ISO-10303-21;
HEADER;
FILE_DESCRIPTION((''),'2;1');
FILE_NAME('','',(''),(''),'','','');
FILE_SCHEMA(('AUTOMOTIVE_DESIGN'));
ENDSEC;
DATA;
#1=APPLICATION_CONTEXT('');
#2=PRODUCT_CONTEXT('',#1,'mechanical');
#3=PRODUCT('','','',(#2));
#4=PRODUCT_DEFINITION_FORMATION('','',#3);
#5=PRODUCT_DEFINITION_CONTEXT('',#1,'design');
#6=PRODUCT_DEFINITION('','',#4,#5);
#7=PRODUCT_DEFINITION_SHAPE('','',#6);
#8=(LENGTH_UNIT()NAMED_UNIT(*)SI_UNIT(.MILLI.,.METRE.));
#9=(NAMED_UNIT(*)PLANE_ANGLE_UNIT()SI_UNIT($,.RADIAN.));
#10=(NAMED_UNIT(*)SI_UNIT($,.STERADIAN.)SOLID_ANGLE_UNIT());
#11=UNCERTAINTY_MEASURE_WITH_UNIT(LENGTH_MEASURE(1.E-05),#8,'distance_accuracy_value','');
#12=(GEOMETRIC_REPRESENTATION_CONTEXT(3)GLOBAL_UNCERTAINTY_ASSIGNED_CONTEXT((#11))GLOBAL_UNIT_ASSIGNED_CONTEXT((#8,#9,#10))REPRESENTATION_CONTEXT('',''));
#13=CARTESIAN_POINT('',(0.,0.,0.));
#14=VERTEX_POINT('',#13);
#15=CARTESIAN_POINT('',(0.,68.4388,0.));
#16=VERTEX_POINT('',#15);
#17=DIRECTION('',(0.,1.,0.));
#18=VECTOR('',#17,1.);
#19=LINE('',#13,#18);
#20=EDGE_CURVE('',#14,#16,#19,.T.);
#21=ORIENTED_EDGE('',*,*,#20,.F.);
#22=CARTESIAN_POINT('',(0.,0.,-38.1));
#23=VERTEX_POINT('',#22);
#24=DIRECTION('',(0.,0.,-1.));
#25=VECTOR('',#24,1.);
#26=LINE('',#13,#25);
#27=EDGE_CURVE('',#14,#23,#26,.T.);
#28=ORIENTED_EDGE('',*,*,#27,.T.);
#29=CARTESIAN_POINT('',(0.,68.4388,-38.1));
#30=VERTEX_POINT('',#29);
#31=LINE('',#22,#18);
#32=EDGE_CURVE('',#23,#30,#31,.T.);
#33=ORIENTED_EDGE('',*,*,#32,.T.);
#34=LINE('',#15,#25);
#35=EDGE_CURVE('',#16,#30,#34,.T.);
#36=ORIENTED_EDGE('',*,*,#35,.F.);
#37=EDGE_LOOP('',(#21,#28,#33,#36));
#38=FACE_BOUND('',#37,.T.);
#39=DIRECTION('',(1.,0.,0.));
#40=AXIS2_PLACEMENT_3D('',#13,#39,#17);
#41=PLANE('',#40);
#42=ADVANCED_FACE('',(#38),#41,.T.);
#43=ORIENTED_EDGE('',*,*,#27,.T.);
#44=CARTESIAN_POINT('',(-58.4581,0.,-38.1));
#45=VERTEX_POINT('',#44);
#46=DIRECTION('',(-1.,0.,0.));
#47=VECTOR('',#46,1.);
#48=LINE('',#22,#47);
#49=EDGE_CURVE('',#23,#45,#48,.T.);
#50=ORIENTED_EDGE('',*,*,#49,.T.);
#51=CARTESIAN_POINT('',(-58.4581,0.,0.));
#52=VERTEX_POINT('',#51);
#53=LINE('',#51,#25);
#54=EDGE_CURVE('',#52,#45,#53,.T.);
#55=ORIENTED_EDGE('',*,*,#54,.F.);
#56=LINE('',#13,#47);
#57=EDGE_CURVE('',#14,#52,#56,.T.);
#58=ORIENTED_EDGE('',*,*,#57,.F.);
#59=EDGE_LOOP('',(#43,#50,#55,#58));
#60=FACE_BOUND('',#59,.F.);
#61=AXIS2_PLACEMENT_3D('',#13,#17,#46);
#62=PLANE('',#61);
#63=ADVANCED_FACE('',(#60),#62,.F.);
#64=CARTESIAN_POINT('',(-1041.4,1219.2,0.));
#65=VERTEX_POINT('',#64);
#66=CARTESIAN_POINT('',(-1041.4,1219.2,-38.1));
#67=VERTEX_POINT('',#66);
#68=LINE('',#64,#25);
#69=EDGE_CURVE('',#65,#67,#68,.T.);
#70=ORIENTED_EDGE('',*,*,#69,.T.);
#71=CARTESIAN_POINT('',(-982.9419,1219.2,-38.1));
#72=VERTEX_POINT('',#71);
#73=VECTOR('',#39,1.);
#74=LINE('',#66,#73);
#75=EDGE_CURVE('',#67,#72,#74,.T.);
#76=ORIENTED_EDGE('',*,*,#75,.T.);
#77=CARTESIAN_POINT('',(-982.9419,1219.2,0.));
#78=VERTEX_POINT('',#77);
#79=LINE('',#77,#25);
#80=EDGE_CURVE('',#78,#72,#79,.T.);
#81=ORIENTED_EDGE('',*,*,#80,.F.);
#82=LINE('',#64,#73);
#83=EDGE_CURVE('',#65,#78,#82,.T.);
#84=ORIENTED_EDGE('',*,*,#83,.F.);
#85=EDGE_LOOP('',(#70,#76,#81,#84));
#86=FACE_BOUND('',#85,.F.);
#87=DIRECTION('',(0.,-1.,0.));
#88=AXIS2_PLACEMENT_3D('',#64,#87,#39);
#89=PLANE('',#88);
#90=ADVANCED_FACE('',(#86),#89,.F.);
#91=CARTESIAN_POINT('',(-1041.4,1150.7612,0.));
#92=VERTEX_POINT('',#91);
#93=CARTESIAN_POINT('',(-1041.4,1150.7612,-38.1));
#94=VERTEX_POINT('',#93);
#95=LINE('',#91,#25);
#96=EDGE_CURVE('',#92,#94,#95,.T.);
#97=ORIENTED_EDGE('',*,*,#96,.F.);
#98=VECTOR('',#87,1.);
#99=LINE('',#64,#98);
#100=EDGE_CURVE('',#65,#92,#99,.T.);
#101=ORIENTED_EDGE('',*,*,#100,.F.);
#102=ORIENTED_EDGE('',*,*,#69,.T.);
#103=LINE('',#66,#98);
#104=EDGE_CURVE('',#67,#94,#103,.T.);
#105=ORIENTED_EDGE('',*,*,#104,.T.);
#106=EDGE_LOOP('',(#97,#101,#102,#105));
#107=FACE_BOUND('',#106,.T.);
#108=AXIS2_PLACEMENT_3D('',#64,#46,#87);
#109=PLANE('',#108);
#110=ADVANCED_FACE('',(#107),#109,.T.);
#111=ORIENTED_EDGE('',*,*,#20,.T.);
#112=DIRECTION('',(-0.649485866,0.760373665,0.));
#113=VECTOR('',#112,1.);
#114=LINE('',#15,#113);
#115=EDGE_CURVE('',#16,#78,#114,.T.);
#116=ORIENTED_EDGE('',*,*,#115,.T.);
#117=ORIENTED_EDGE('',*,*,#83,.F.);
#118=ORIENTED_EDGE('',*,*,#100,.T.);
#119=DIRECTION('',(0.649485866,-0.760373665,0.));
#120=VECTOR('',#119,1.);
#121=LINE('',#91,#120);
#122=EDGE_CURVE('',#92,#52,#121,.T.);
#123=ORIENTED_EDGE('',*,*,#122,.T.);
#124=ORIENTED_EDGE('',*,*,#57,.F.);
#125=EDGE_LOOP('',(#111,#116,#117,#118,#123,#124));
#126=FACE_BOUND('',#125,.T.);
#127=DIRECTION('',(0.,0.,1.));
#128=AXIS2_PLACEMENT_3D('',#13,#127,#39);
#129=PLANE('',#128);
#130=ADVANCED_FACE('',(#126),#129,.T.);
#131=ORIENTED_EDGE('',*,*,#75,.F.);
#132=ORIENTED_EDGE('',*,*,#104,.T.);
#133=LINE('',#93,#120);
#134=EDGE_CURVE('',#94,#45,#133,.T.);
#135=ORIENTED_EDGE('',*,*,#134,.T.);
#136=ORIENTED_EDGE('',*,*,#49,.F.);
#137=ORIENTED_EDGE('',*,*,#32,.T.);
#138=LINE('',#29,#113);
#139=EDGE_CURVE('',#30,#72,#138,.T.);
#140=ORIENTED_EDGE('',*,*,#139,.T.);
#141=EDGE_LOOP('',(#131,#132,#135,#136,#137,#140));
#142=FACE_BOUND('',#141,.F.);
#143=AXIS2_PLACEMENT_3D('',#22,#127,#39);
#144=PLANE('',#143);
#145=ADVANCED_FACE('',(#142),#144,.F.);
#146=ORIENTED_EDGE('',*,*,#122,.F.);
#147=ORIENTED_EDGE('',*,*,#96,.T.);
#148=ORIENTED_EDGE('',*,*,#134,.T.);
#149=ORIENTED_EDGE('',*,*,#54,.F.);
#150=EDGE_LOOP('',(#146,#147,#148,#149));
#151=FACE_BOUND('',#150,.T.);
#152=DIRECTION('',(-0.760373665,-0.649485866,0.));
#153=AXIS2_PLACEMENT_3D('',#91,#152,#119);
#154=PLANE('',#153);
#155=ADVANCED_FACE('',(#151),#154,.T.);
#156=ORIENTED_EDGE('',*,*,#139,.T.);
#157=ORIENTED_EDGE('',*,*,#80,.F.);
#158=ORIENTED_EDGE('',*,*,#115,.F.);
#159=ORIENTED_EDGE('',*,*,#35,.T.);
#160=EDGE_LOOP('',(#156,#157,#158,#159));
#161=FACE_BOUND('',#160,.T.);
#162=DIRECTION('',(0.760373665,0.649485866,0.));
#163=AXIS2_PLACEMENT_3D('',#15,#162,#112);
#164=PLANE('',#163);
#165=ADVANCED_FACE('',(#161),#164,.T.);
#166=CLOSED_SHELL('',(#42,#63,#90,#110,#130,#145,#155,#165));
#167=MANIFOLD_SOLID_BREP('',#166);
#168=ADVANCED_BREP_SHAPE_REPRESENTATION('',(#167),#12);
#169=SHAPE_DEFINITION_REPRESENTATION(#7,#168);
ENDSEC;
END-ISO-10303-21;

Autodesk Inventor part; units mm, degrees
ref_plane "YZ Plane" through (0, 0, 0) normal (1, 0, 0) x (0, 1, 0)
ref_plane "XZ Plane" through (0, 0, 0) normal (0, 1, 0) x (-1, 0, 0)
ref_plane "XY Plane" through (0, 0, 0) normal (0, 0, 1) x (1, 0, 0)
sketch "Sketch1" plane through (0, 0, 0) normal (0, 0, 1) x (1, 0, 0)
  line L0 (-1041.4, 1219.2) -> (-1041.4, 0) projected
  line L1 (-1041.4, 1219.2) -> (0, 1219.2) projected
  line L2 (0, 0) -> (0, 1219.2) projected
  line L3 (0, 0) -> (-1041.4, 0) projected
  line L4 (0, 0) -> (0, 68.4388)
  line L5 (0, 68.4388) -> (-982.9419, 1219.2)
  line L6 (-982.9419, 1219.2) -> (-1041.4, 1219.2)
  line L7 (-1041.4, 1219.2) -> (-1041.4, 1150.7612)
  line L8 (-1041.4, 1150.7612) -> (-58.4581, 0)
  line L9 (-58.4581, 0) -> (0, 0)
extrude "Extrusion1" add sketch "Sketch1" against normal blind 38.1 contours L1 L5 L2 L3 L8 L0
properties part number "2x4x44"
